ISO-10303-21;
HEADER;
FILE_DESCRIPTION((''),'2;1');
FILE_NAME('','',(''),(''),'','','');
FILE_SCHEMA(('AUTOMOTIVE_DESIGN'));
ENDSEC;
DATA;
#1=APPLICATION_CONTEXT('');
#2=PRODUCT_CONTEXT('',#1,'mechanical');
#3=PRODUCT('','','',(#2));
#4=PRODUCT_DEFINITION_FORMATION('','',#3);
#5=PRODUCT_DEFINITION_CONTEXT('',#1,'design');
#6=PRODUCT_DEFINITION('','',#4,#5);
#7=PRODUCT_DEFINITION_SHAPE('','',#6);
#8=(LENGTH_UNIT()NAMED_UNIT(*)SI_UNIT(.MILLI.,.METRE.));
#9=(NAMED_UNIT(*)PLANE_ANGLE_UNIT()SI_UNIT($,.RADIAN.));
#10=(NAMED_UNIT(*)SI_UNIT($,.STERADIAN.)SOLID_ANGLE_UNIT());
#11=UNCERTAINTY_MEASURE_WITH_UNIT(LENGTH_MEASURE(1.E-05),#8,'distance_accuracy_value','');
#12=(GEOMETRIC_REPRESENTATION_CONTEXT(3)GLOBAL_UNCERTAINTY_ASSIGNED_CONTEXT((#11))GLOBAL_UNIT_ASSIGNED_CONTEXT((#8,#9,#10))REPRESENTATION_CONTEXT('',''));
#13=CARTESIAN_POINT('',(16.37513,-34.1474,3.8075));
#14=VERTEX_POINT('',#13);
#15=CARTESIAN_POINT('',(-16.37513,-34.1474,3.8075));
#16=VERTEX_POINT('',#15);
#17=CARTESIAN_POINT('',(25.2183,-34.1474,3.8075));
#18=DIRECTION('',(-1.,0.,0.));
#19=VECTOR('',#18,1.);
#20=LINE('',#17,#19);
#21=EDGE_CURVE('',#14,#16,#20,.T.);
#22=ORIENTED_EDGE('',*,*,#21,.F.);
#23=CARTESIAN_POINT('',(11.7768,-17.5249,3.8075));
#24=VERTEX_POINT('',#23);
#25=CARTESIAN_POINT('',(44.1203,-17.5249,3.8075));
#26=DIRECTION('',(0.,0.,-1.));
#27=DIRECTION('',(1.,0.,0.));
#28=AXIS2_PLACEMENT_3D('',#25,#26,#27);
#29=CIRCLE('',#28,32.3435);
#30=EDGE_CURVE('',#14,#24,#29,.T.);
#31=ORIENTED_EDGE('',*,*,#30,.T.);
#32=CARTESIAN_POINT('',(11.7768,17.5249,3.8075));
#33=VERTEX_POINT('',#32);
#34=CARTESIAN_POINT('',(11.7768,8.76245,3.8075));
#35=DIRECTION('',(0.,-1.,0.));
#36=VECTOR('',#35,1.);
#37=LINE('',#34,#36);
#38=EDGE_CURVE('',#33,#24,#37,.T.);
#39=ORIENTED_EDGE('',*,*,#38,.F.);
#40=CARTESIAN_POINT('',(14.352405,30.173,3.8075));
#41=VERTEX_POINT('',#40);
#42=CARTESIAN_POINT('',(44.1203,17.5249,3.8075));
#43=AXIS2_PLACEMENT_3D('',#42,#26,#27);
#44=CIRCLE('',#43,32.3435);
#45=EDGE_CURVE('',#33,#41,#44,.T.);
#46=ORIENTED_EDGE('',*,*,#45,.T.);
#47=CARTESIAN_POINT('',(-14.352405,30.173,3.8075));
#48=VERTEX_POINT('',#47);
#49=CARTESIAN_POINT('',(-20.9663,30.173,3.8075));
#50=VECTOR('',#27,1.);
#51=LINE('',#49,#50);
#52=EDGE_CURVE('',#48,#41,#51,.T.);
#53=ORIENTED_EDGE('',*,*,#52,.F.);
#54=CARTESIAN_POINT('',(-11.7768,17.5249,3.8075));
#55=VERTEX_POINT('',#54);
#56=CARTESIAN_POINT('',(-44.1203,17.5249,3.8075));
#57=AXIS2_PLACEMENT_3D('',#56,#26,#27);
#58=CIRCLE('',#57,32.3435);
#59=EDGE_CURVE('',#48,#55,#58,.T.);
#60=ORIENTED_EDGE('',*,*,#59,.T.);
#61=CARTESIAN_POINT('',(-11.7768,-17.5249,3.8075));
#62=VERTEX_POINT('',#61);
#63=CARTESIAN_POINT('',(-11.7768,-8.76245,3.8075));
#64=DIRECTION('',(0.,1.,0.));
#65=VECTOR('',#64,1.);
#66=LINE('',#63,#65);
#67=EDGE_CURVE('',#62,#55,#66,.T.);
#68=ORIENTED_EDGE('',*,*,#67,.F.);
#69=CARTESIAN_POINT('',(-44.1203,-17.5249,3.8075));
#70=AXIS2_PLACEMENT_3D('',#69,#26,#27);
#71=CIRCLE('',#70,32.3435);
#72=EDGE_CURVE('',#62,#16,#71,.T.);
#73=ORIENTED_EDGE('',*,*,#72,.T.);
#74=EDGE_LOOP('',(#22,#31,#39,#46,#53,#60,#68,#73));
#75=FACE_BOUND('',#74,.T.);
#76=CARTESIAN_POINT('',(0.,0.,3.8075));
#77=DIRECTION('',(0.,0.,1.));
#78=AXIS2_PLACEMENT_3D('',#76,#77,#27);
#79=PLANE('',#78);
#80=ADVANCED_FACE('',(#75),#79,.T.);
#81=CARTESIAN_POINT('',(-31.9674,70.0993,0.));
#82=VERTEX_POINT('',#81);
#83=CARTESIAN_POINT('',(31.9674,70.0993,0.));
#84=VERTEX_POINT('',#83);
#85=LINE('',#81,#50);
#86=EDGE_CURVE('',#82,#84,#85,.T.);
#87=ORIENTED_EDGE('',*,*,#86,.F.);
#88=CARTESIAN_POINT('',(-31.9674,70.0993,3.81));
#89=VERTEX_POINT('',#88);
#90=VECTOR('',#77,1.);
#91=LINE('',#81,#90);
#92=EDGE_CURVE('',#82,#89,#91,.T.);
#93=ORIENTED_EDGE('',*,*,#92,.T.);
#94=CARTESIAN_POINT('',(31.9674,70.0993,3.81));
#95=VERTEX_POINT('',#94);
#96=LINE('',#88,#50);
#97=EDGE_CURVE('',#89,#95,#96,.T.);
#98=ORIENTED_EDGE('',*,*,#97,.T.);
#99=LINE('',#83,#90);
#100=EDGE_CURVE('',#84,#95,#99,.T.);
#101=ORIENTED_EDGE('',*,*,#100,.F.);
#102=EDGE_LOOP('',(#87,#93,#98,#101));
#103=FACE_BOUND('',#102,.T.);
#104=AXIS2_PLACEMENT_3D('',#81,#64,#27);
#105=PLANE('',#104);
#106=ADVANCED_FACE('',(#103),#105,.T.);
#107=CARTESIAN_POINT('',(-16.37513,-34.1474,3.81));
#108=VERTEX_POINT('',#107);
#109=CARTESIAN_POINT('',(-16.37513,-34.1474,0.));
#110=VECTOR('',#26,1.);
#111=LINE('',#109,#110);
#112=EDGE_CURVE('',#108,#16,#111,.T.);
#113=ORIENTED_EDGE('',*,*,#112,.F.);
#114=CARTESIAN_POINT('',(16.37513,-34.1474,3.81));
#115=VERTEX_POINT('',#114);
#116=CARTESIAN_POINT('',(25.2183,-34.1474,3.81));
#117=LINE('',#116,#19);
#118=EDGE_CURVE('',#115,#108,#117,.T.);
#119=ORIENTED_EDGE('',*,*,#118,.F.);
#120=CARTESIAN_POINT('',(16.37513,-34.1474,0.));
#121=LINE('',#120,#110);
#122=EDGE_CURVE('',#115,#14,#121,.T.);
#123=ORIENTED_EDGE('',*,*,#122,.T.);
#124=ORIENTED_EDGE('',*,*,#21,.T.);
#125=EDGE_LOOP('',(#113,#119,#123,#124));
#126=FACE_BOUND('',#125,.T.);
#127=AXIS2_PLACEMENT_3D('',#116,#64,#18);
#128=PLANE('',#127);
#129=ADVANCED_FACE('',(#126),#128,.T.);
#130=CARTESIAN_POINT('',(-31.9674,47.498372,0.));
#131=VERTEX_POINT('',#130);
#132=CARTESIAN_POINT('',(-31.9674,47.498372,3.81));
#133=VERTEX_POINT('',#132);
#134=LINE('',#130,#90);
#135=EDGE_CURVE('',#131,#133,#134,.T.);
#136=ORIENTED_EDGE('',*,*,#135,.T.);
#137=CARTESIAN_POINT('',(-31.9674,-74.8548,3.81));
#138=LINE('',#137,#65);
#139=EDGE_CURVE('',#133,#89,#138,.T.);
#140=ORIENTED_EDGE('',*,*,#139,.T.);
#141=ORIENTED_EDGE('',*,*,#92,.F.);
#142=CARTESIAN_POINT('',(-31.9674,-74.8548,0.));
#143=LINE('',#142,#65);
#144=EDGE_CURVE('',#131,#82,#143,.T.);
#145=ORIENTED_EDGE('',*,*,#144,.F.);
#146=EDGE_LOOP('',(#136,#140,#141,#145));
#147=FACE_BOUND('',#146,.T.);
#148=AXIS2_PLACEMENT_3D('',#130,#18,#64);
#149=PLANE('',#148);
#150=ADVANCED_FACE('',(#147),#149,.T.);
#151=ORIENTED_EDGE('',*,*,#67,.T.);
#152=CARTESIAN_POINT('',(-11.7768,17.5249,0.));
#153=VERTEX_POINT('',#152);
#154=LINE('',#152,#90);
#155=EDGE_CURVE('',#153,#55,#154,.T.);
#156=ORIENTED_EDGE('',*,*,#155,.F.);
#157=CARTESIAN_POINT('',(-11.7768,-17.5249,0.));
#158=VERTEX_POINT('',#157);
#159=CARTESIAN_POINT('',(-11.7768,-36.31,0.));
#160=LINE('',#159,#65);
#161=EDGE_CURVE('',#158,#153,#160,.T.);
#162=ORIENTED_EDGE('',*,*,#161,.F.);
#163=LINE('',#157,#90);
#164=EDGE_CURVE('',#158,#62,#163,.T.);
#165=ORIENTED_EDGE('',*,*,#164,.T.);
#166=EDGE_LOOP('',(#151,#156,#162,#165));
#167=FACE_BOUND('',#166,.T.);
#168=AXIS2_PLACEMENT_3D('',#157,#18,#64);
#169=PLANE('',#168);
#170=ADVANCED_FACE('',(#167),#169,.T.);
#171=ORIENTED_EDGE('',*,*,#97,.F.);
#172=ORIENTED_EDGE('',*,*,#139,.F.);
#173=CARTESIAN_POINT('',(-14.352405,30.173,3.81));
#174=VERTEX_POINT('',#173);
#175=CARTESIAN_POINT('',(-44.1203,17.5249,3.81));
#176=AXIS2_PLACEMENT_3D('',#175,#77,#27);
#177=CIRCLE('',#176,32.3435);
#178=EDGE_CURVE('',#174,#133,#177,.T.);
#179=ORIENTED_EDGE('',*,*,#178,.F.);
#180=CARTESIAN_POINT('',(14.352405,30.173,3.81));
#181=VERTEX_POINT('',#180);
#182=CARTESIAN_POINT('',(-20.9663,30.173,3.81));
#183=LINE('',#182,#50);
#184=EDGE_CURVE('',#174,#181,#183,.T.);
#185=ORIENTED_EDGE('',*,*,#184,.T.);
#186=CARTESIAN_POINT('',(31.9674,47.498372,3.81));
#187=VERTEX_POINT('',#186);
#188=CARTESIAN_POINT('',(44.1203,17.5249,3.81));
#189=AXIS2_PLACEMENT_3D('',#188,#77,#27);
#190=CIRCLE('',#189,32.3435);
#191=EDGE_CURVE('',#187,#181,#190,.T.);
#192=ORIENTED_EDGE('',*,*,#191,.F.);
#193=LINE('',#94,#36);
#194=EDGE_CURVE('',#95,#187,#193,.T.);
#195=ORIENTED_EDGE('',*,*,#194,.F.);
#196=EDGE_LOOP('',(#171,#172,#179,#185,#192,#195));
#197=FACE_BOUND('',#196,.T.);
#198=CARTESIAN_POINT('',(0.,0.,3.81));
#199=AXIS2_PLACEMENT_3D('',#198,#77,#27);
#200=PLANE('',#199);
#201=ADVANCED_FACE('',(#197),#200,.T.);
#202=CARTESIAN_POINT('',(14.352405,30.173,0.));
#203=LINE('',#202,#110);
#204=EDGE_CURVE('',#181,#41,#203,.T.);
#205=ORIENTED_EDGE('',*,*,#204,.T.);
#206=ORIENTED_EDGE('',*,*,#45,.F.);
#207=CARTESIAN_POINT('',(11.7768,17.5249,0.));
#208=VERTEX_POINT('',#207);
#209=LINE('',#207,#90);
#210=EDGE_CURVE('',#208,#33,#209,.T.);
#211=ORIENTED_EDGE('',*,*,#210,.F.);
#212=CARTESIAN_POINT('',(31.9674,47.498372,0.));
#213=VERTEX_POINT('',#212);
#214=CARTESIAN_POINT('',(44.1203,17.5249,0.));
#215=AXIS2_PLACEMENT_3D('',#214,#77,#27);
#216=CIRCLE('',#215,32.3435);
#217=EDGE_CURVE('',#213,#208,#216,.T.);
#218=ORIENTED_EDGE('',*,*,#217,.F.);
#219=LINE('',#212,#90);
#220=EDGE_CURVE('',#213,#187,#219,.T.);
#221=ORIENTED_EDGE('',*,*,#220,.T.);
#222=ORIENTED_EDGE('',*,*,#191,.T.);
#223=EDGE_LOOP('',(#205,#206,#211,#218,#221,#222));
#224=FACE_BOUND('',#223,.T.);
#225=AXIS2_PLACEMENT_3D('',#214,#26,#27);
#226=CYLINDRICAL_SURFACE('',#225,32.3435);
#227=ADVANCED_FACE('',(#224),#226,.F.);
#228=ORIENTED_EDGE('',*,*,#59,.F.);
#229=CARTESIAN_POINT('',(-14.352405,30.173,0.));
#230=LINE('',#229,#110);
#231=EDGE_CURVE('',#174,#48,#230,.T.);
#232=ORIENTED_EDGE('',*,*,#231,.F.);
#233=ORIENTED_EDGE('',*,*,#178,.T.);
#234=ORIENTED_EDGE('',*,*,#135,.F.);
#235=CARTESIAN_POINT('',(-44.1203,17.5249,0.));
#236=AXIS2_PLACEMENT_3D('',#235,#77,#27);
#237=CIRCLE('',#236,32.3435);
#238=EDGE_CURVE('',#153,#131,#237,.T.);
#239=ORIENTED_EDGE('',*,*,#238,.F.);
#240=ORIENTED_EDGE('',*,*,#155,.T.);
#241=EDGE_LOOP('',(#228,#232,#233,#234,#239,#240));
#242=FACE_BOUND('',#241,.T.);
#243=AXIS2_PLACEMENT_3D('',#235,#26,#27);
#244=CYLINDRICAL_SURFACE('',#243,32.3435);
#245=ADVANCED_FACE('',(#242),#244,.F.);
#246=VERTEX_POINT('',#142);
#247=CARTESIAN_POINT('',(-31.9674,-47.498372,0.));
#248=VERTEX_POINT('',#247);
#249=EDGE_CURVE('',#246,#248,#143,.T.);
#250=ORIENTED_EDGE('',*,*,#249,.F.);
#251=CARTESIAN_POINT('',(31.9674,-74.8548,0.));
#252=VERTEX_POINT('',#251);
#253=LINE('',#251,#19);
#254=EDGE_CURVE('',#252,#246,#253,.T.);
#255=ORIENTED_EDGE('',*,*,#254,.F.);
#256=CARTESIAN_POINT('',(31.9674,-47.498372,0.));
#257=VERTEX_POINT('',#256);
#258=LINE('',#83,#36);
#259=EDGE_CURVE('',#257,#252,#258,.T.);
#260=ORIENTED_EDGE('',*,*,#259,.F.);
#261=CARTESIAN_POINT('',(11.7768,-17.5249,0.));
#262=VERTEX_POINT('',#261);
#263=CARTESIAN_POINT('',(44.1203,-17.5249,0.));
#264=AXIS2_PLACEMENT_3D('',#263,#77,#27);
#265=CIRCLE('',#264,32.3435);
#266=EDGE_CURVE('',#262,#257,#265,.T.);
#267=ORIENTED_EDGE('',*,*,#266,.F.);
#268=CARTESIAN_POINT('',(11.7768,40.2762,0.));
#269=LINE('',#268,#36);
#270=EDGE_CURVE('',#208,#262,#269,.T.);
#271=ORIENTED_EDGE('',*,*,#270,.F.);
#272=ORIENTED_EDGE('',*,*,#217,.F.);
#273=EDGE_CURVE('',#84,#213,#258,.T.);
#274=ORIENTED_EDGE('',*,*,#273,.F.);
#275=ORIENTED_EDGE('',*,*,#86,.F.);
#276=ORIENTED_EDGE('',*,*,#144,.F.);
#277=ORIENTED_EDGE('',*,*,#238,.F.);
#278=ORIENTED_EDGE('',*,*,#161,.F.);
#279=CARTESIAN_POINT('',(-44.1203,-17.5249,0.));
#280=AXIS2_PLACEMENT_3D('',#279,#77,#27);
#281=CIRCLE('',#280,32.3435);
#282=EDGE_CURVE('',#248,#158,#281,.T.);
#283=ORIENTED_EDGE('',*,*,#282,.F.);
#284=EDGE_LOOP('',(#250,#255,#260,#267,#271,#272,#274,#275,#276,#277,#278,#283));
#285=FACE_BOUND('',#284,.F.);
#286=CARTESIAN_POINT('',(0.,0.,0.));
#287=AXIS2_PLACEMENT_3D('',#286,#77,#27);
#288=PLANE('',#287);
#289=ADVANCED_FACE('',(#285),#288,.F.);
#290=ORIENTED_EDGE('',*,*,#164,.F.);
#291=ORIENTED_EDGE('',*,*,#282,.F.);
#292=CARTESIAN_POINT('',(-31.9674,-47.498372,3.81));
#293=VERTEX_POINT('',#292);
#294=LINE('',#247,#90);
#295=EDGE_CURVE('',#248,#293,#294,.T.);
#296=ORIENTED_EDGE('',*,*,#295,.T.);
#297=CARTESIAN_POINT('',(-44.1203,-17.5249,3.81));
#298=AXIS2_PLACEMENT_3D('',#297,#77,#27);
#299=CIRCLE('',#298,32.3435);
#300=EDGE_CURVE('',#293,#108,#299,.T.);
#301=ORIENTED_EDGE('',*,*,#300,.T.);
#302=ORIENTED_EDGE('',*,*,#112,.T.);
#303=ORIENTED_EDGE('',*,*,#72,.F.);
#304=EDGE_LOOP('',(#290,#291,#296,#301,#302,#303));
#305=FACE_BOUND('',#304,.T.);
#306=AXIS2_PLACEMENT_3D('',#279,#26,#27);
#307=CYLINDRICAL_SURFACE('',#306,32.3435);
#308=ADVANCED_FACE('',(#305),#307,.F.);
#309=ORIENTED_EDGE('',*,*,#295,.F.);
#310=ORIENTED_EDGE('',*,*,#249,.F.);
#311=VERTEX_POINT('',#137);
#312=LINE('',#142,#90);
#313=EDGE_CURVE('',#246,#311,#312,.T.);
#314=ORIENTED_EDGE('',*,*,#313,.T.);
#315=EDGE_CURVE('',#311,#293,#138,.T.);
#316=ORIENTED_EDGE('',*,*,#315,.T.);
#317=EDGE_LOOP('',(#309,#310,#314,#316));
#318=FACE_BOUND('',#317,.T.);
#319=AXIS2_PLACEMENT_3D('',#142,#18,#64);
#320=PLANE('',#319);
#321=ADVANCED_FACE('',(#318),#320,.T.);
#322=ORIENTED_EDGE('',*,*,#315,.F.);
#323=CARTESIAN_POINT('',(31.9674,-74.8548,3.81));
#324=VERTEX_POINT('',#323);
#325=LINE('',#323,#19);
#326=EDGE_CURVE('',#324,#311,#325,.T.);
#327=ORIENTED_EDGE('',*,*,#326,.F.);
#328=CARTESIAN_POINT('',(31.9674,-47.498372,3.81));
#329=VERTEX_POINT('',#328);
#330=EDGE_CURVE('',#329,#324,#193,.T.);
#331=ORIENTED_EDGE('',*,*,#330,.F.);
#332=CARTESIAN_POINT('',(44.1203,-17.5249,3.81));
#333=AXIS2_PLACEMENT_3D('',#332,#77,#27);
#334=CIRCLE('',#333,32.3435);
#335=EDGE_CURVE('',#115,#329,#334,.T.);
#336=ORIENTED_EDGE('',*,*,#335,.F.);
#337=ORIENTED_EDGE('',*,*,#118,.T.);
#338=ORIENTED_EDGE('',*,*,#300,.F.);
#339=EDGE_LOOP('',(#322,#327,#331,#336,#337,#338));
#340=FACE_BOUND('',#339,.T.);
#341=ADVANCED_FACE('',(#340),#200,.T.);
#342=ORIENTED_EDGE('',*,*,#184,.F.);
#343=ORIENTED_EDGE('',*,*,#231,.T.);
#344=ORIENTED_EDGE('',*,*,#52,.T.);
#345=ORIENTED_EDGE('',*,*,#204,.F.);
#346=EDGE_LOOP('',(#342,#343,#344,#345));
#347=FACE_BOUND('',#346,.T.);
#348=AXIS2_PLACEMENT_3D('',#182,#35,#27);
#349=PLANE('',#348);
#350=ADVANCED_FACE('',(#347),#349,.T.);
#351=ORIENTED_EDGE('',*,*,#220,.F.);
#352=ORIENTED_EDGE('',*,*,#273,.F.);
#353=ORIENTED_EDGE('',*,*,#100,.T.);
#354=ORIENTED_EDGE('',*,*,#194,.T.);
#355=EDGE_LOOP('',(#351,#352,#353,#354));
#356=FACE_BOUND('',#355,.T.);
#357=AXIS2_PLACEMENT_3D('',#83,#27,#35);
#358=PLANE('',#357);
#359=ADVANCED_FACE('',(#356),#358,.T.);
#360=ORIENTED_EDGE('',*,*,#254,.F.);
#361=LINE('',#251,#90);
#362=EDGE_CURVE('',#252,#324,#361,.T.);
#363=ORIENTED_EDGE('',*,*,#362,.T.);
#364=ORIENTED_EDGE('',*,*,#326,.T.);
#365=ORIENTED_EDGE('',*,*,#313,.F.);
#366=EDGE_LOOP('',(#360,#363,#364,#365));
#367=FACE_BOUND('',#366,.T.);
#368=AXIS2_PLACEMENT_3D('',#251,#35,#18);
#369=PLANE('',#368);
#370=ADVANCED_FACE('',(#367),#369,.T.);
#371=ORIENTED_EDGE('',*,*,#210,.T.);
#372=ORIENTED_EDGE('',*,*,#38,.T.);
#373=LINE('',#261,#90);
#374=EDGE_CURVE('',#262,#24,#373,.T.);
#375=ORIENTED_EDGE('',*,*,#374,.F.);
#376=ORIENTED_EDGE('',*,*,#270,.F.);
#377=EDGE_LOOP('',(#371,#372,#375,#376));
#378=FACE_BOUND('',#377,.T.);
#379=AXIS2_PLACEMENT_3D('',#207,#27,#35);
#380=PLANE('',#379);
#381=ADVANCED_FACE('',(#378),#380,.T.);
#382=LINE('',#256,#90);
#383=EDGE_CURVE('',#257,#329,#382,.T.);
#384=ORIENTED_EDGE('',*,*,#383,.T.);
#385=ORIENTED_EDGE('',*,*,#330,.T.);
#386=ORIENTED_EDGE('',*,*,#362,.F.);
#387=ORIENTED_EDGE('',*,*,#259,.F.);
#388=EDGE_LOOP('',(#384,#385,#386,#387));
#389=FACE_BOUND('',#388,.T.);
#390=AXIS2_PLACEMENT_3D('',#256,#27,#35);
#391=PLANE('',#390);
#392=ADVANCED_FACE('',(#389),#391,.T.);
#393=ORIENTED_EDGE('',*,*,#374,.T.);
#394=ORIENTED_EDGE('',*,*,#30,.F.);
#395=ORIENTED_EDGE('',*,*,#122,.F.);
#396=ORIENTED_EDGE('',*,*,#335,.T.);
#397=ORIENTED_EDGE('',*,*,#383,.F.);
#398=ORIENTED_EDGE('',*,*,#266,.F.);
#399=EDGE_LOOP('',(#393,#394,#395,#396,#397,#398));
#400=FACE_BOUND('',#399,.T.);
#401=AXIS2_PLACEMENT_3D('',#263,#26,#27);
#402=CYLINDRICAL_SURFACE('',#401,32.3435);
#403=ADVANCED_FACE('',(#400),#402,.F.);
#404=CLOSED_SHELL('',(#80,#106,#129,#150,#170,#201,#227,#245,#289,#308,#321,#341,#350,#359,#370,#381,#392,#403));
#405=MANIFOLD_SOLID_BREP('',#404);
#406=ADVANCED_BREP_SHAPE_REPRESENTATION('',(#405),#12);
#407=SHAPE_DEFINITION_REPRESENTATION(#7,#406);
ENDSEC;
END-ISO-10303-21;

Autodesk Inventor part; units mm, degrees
ref_plane "YZ Plane" through (0, 0, 0) normal (1, 0, 0) x (0, 1, 0)
ref_plane "XZ Plane" through (0, 0, 0) normal (0, 1, 0) x (-1, 0, 0)
ref_plane "XY Plane" through (0, 0, 0) normal (0, 0, 1) x (1, 0, 0)
sketch "Sketch1" plane through (0, 0, 0) normal (0, 0, 1) x (1, 0, 0)
  line L0 (-31.9674, 70.0993) -> (31.9674, 70.0993)
  line L1 (31.9674, 70.0993) -> (31.9674, -74.8548)
  line L2 (31.9674, -74.8548) -> (-31.9674, -74.8548)
  line L3 (-31.9674, -74.8548) -> (-31.9674, 70.0993)
  circle A0 centre (-44.1203, 17.5249) radius 32.3435
  circle A1 centre (44.1203, 17.5249) radius 32.3435
  line L4 (0, 0) -> (0, 29.7658) construction
  line L5 (-44.1203, 17.5249) -> (44.1203, 17.5249)
  line L6 (44.1203, 17.5249) -> (44.1203, -17.5249)
  line L7 (44.1203, -17.5249) -> (-44.1203, -17.5249)
  line L8 (-44.1203, -17.5249) -> (-44.1203, 17.5249)
  line L9 (0, 0) -> (9.4229, 0) construction
  circle A2 centre (44.1203, -17.5249) radius 32.3435
  circle A3 centre (-44.1203, -17.5249) radius 32.3435
  line L10 (-11.7768, 40.2762) -> (11.7768, 40.2762)
  line L11 (11.7768, 40.2762) -> (11.7768, -36.31)
  line L12 (11.7768, -36.31) -> (-11.7768, -36.31)
  line L13 (-11.7768, -36.31) -> (-11.7768, 40.2762)
  point P0 (-31.9674, 47.4983)
  point P1 (-11.7768, 17.5249)
  point P2 (-11.7768, -17.5249)
  point P3 (-31.9674, -47.4983)
  point P4 (31.9674, -47.4983)
  point P5 (11.7768, -17.5249)
  point P6 (11.7768, 17.5249)
  point P7 (31.9674, 47.4983)
extrude "Extrusion1" add sketch "Sketch1" along normal blind 3.81 contours L0 L1 A1 L11 L10 L13 A0 L3 | L13 L10 L11 L5 | L5 L11 L7 L13 | L13 L12 L11 A2 L1 L2 L3 A3 | L7 L11 L12 L13
sketch "Sketch2" plane through (0, 0, 3.81) normal (0, 0, 1) x (1, 0, 0)
  line L0 (-20.9663, 30.173) -> (25.2183, 30.173)
  line L1 (25.2183, 30.173) -> (25.2183, -34.1474)
  line L2 (25.2183, -34.1474) -> (-20.9663, -34.1474)
  line L3 (-20.9663, -34.1474) -> (-20.9663, 30.173)
  point P0 (0, 0)
extrude "Extrusion2" cut sketch "Sketch2" against normal blind 0.0025
properties part number "dogbone" material "Speckle pattern"
